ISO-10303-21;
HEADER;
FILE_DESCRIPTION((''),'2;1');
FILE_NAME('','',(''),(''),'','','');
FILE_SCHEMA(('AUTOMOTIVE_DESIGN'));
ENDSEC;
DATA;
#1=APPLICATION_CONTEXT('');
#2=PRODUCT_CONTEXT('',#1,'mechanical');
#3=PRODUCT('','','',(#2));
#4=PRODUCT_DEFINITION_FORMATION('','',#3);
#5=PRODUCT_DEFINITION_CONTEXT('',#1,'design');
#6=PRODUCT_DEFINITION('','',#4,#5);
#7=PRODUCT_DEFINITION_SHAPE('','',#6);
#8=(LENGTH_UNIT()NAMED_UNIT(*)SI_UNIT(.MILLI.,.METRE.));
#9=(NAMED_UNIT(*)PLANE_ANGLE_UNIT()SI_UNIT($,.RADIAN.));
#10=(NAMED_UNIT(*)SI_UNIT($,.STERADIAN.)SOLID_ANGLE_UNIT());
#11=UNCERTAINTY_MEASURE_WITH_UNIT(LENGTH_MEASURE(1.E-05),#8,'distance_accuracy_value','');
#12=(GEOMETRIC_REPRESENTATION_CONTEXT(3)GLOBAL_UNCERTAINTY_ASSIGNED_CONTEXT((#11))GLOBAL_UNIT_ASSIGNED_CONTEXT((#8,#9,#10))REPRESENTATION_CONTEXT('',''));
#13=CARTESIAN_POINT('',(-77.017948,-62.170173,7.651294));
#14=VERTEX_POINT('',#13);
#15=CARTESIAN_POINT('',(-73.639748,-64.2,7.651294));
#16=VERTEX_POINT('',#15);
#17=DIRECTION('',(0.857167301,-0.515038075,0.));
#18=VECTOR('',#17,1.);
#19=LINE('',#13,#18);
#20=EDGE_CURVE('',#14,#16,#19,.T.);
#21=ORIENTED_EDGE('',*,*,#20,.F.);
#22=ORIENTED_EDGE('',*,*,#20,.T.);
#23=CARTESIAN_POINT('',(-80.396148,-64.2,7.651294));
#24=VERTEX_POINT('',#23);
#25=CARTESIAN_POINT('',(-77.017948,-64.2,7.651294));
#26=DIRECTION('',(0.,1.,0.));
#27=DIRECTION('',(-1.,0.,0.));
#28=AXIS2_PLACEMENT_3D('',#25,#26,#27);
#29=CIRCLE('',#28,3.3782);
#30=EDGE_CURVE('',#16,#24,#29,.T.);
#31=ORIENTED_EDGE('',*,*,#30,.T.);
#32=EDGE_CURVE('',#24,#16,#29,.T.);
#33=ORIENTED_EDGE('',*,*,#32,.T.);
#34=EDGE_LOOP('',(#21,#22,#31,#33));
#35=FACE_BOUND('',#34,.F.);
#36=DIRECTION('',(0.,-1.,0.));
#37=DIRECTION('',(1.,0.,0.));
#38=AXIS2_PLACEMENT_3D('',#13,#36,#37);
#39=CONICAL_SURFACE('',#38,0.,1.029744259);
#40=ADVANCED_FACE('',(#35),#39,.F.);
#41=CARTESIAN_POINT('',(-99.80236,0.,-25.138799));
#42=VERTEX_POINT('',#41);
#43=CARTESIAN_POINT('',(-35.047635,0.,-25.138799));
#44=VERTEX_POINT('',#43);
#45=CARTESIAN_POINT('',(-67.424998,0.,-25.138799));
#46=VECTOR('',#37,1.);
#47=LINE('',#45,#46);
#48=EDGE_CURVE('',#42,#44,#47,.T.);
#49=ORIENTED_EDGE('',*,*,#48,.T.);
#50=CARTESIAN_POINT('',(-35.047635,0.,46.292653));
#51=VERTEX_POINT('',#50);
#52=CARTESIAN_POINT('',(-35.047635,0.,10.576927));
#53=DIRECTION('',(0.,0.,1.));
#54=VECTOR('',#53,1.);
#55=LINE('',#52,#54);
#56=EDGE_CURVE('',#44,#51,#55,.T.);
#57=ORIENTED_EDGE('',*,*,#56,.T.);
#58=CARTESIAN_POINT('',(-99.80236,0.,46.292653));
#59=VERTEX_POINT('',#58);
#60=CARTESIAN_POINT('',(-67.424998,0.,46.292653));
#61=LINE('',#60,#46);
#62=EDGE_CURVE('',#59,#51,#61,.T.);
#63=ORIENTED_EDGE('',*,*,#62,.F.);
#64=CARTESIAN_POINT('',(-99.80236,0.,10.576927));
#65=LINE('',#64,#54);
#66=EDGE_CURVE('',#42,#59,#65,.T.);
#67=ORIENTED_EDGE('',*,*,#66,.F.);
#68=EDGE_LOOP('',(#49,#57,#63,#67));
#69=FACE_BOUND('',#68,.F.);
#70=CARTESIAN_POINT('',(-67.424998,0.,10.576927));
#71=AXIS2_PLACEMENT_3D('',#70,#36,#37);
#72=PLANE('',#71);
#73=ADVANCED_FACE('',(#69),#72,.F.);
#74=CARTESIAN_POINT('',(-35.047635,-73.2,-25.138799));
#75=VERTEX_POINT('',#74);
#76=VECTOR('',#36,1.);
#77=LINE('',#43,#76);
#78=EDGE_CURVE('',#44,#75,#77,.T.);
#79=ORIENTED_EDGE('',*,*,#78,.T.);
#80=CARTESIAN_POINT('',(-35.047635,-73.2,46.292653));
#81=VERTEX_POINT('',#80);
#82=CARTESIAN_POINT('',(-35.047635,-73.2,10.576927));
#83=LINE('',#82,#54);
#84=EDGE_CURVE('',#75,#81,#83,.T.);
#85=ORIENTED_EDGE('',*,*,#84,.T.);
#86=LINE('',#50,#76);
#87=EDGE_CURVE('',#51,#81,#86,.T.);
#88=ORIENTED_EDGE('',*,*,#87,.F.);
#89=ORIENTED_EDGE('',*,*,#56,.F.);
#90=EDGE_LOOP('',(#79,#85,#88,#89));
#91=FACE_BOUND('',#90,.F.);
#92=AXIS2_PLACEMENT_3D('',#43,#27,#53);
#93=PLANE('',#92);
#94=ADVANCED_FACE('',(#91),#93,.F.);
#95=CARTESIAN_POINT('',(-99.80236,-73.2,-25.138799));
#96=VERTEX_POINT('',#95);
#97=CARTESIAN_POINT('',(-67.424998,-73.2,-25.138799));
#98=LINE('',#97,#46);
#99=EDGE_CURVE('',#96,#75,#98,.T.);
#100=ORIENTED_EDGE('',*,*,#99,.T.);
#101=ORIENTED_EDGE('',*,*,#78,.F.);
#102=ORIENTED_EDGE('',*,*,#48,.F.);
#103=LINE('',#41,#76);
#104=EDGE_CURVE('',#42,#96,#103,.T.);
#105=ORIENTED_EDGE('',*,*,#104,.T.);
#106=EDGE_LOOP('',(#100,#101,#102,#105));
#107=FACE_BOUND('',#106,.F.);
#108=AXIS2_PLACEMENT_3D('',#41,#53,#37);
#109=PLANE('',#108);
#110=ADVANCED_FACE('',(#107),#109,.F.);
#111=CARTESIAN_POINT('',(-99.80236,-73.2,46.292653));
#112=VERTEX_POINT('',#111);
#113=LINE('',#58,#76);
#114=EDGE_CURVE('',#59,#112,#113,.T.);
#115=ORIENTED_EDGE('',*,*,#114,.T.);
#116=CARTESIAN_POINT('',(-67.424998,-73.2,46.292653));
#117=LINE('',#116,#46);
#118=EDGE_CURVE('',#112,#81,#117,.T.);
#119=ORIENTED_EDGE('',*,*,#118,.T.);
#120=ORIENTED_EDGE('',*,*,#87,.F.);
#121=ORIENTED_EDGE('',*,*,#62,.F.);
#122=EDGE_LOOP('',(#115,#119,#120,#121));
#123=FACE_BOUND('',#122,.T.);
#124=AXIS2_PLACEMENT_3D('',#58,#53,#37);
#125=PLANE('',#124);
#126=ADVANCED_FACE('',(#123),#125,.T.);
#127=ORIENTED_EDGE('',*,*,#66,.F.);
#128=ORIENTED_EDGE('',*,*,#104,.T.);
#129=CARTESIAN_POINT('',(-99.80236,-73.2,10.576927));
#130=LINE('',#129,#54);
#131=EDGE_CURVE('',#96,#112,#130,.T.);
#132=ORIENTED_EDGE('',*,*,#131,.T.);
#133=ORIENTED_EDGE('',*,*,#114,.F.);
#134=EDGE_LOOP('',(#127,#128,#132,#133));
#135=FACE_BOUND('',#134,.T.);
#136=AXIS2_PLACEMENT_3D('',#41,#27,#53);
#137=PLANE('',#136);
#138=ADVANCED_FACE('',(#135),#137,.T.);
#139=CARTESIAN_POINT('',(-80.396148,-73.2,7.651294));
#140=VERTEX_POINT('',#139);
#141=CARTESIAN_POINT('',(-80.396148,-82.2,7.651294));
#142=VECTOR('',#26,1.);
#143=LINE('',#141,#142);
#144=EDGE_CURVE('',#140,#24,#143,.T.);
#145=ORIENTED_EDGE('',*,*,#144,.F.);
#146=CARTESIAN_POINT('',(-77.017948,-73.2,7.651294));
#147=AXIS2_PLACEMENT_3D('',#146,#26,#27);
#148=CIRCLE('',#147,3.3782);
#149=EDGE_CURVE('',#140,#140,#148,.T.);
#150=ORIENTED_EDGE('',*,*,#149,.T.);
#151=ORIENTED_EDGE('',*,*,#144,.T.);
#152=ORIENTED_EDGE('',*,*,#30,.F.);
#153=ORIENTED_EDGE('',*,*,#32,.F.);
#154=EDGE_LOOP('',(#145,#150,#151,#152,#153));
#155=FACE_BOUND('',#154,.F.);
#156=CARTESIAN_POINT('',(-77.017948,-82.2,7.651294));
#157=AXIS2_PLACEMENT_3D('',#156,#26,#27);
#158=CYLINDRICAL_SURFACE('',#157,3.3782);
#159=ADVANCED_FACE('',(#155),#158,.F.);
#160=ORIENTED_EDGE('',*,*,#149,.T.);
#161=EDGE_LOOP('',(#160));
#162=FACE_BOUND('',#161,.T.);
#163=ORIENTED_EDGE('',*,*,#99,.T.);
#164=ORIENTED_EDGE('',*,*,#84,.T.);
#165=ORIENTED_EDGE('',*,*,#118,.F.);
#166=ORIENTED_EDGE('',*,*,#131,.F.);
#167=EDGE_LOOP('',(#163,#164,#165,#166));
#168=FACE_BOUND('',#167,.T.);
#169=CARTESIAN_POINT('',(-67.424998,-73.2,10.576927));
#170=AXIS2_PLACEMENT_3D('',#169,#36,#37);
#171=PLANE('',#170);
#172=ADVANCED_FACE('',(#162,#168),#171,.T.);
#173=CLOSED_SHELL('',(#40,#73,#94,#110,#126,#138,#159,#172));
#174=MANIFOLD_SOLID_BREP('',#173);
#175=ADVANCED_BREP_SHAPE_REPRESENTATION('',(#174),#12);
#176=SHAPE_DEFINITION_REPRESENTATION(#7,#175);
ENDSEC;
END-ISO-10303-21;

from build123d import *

# Parameters (mm, degrees)
F0_W     = 64.7547245026
F0_H     = 71.4314524084
F1_DEPTH = 73.2
F3_D     = 6.7564
F3_DEPTH = 9
F3_TIP   = 2.0298273432


with BuildPart() as f1:
    # F0 (on Front) → F1 (new body)
    with BuildSketch(Plane.XZ):
        with Locations((-67.4249976873, 10.5769271031)):
            Rectangle(F0_W, F0_H)
    extrude(amount=F1_DEPTH)

    # F3
    with Locations(Plane.XZ.offset(73.2)):
        with Locations((-77.0179480314, 7.6512936503)):
            Hole(F3_D / 2, depth=F3_DEPTH)
            with Locations((0, 0, -(F3_DEPTH + F3_TIP / 2))):  # 118° drill point
                Cone(0, F3_D / 2, F3_TIP, mode=Mode.SUBTRACT)


solid = f1.part
